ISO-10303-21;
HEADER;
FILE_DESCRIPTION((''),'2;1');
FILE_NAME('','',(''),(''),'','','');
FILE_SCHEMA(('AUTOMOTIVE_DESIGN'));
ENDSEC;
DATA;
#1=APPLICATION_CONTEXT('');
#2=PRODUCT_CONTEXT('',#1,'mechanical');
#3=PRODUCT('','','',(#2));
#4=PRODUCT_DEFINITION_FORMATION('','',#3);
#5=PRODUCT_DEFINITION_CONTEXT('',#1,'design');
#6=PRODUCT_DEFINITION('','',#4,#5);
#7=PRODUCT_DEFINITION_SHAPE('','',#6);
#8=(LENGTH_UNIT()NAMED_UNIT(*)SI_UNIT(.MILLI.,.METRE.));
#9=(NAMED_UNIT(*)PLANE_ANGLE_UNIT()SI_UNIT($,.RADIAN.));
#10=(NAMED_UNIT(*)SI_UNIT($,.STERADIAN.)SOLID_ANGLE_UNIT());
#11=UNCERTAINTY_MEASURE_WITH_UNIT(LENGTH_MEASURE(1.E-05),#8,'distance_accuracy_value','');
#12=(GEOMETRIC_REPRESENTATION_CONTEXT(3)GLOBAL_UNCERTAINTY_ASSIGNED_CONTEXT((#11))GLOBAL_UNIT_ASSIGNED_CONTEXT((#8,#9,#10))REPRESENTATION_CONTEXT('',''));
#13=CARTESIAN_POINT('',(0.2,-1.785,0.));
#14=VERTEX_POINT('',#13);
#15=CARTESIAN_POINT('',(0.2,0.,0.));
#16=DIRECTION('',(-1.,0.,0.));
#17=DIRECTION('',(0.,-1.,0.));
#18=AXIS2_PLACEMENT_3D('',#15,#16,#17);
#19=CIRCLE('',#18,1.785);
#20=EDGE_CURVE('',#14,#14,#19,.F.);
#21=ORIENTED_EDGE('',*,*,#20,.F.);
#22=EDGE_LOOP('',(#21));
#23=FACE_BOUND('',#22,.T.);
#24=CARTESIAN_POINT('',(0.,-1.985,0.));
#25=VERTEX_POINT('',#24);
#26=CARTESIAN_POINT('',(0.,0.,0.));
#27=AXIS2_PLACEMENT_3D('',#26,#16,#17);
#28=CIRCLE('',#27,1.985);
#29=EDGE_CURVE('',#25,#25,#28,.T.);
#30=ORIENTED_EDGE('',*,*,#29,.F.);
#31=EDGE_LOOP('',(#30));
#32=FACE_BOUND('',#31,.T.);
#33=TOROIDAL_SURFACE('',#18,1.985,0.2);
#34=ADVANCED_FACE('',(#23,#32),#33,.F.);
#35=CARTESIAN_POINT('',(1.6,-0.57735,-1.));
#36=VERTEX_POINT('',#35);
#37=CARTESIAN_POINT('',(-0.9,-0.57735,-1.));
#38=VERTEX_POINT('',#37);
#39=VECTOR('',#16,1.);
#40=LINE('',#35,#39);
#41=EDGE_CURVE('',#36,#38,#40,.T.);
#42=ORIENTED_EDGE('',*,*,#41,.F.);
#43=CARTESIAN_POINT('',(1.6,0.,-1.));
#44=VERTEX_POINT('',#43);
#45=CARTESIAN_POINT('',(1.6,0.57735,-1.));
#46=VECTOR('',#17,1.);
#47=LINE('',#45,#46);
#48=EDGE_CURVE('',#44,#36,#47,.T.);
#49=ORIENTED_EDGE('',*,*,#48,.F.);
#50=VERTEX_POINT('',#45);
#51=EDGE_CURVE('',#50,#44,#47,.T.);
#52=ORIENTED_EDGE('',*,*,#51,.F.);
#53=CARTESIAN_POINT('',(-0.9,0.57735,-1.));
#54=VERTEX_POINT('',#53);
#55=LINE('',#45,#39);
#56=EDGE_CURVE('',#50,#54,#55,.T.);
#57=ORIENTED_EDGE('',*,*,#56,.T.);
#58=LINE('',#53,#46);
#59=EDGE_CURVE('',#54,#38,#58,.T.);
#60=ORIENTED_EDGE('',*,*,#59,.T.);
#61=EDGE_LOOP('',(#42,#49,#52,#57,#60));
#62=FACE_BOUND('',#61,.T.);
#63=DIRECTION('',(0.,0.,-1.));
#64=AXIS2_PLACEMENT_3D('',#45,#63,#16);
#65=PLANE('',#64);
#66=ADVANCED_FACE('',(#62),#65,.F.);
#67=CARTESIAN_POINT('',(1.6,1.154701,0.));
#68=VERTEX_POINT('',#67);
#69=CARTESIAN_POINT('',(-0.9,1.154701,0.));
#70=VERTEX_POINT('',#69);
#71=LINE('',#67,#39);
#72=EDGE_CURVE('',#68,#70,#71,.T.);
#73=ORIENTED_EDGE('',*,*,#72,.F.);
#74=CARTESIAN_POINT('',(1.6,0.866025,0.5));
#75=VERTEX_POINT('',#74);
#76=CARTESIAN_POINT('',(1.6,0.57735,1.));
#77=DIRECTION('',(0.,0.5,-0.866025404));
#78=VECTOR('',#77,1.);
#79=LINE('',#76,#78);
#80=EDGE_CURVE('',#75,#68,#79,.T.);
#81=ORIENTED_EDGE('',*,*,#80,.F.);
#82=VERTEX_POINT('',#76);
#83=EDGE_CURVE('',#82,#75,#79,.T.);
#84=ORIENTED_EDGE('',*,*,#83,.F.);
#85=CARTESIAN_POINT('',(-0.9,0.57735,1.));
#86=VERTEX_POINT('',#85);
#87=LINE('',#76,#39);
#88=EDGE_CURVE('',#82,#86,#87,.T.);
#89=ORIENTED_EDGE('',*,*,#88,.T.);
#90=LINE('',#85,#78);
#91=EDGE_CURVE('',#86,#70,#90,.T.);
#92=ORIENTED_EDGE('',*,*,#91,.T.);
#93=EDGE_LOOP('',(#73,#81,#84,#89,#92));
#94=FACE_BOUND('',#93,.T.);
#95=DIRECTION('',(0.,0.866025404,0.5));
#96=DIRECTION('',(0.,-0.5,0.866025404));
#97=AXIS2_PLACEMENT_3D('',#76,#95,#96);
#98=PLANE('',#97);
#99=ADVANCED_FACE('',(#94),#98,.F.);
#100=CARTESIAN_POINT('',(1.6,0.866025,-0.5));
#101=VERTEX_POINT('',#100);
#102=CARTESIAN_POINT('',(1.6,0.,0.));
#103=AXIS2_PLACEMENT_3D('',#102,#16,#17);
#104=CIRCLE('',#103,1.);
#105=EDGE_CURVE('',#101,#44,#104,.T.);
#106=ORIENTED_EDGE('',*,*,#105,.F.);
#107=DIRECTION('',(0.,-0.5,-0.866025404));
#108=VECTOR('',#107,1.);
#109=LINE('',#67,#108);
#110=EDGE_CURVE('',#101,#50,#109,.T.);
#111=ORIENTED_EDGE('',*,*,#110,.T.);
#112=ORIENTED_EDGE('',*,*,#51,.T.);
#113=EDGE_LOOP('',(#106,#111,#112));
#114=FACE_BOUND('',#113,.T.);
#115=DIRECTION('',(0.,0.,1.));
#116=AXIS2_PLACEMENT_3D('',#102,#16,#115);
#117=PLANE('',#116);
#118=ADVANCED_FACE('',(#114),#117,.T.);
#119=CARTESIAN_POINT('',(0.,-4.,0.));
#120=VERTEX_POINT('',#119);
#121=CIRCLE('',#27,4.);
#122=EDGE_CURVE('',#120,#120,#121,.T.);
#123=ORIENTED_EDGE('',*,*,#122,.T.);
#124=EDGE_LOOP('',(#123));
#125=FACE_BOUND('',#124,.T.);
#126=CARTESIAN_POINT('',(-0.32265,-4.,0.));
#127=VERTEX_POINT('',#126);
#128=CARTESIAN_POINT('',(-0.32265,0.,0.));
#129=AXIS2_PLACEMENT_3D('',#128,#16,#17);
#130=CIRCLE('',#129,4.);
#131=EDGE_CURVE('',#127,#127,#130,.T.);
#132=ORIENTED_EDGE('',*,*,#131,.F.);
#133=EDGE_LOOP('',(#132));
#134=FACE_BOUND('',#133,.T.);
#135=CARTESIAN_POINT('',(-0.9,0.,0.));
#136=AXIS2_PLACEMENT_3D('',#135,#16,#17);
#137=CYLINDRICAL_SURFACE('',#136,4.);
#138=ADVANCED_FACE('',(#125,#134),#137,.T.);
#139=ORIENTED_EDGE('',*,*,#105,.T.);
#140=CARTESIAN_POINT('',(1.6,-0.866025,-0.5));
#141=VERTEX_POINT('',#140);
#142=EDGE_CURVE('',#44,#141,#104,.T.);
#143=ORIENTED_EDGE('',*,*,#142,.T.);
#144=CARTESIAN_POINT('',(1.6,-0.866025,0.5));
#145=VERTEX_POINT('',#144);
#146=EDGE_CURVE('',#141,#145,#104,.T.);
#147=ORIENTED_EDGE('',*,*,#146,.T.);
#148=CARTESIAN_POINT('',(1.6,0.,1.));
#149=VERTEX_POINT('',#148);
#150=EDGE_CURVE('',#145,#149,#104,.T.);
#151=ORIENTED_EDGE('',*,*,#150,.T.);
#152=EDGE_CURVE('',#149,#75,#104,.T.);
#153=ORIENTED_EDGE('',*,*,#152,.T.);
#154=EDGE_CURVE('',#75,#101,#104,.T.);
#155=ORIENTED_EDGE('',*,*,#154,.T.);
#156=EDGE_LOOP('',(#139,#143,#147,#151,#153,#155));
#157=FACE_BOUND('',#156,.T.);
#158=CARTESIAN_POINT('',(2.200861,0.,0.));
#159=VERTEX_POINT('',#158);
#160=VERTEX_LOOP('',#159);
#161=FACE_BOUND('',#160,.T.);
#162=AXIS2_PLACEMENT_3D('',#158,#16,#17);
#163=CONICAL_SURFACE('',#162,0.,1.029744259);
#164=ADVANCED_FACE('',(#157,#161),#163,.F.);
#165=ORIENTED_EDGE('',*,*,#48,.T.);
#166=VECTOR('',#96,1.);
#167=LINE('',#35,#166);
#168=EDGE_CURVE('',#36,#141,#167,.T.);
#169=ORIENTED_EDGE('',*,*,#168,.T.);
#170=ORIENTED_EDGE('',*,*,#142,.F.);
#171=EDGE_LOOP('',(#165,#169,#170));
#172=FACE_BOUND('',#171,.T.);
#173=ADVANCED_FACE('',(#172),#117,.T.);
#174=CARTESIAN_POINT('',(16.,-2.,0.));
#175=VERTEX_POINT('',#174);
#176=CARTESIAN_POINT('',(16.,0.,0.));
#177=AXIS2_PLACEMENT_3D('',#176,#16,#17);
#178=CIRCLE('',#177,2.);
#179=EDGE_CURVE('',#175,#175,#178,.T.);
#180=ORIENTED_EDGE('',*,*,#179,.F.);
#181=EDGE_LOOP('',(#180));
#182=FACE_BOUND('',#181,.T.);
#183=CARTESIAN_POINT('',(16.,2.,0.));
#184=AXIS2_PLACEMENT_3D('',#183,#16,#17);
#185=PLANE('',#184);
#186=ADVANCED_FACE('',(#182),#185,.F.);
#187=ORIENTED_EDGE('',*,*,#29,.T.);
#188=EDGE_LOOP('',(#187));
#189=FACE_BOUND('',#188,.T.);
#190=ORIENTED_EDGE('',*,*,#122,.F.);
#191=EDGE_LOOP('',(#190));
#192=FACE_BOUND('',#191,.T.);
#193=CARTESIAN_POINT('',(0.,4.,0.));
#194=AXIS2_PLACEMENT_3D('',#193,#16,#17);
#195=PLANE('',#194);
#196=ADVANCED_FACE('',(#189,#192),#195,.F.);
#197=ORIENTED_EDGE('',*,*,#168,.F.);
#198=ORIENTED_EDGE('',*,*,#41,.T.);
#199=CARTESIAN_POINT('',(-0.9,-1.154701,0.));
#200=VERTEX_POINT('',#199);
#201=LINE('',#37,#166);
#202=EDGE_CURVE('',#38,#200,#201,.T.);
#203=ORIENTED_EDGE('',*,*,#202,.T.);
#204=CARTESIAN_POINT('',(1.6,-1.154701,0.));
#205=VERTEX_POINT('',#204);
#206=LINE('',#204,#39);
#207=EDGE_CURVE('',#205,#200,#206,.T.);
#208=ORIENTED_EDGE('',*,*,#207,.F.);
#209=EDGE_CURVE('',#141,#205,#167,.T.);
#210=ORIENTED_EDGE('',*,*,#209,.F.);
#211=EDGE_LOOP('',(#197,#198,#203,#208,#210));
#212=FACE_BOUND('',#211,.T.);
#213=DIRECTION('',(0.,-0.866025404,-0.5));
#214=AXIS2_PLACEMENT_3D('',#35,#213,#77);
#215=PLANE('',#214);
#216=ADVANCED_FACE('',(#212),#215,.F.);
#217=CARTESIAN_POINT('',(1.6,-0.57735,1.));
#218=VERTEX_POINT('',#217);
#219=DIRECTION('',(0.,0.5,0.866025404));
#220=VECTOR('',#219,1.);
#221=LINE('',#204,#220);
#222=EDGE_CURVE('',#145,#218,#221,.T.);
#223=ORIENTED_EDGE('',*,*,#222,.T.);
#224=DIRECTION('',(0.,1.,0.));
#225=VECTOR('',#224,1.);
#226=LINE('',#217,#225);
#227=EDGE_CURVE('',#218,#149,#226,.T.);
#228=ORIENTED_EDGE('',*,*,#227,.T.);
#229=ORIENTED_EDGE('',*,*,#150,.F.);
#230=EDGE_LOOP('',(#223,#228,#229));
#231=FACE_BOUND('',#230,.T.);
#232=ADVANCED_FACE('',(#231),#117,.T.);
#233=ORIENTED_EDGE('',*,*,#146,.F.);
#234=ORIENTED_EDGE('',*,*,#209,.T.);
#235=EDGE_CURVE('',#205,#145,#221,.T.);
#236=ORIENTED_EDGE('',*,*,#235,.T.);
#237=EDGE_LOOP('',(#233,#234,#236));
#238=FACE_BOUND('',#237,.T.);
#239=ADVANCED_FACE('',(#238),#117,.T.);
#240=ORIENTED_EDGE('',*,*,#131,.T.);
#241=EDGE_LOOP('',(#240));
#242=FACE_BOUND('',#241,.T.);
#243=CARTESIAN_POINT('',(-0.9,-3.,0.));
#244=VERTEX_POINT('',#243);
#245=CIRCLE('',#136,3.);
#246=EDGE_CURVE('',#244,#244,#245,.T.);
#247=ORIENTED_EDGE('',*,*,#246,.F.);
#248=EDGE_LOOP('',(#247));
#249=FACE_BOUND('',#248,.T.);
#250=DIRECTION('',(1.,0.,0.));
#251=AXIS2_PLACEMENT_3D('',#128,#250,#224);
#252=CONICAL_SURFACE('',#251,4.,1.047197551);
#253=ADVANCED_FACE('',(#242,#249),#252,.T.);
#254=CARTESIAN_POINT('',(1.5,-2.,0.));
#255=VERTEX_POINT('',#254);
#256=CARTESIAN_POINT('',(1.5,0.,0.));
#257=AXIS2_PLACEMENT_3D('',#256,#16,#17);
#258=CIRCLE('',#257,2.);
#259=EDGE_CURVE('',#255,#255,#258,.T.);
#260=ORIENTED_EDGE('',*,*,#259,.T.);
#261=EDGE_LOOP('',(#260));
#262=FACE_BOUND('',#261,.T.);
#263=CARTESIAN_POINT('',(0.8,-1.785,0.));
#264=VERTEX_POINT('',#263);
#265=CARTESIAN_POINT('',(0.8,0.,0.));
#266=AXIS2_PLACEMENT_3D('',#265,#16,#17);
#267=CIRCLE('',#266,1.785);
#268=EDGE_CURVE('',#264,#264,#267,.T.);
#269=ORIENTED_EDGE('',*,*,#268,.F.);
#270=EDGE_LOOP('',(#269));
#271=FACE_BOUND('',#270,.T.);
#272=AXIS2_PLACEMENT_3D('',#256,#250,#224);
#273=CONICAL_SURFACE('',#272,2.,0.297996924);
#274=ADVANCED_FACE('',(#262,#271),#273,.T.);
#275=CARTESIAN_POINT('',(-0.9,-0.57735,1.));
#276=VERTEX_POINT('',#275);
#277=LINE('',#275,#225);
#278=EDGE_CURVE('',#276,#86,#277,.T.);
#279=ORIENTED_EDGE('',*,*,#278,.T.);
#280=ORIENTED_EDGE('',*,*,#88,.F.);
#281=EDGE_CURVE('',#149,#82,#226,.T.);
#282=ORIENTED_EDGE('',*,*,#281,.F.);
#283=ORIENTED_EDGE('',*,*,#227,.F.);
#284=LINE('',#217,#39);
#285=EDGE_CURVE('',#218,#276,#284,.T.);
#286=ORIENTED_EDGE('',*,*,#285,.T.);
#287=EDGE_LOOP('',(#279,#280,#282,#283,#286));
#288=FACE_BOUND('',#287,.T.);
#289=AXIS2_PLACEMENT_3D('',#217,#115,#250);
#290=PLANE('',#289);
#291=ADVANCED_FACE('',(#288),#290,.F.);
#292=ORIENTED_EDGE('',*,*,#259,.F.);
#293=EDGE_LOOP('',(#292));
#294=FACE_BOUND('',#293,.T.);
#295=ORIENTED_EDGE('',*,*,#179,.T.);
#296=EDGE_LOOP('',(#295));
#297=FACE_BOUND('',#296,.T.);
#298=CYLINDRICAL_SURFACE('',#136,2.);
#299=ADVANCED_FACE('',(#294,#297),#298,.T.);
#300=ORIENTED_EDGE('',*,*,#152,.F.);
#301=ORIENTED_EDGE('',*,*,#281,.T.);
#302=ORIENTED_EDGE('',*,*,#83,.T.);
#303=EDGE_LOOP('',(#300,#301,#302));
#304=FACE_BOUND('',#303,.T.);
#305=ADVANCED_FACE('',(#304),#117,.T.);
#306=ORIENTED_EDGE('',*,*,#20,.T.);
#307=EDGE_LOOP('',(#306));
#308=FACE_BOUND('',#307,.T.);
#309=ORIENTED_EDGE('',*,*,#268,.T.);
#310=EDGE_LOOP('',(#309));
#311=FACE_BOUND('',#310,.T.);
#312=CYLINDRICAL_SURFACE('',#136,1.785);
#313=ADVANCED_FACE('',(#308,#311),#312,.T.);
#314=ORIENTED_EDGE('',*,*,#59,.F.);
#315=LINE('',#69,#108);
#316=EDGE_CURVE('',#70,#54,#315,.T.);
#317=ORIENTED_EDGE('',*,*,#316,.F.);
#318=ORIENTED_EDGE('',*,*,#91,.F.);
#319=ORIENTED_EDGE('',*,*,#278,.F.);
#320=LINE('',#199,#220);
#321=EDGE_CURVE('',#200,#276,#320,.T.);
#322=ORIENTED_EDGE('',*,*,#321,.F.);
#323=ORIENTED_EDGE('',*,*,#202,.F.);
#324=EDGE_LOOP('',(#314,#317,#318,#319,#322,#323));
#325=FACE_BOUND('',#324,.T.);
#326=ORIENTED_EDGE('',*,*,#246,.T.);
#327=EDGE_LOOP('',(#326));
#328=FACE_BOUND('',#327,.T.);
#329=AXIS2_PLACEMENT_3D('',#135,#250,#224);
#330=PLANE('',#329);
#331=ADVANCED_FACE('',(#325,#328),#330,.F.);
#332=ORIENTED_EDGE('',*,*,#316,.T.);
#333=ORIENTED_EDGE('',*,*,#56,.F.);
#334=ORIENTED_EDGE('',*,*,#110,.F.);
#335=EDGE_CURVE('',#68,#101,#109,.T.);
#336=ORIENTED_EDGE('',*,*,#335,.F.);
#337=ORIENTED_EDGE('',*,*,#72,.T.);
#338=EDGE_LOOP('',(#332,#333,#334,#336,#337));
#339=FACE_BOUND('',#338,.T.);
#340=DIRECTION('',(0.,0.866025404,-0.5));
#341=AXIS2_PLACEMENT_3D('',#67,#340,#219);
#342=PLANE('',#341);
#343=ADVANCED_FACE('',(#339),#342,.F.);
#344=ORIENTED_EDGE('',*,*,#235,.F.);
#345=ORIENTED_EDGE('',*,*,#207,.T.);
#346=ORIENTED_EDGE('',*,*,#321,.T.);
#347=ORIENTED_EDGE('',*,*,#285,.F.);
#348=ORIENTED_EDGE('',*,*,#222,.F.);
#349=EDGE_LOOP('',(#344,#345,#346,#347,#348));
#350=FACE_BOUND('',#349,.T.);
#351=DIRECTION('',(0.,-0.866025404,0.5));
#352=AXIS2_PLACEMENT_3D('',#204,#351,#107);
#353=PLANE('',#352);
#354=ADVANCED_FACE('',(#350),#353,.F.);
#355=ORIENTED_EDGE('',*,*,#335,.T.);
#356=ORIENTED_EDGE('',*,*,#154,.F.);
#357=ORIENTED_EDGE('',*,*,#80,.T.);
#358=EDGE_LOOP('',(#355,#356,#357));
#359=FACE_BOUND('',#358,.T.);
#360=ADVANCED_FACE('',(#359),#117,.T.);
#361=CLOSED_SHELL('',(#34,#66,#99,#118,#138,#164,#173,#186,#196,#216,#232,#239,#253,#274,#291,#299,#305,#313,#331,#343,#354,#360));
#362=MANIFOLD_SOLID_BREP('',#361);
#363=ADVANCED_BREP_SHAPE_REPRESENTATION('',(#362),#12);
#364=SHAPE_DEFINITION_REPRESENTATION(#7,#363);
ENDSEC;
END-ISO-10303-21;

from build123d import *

# Parameters (mm, degrees)
FILLET1_R          = 0.2
CUT_EXTRUDE1_DEPTH = 2.5


with BuildPart() as part:
    # Sketch1 → Revolve1 (revolve)
    with BuildSketch(Plane.XY):
        Polygon((-0.9, 0), (-0.9, 3), (-0.322649731, 4), (0, 4), (0, 1.785), (0.8, 1.785), (1.5, 2), (16, 2), (16, 0), align=None)
    revolve(axis=Axis((-0.9, 0, 0), (1, 0, 0)))

    # Fillet1
    fillet1_edges = [part.edges().sort_by_distance(p)[0] for p in [
        (0, -1.785, 0),
    ]]
    fillet(fillet1_edges, radius=FILLET1_R)

    # Sketch2 → Cut-Extrude1 (cut)
    with BuildSketch(Plane.ZY.offset(0.9)):
        Polygon((0, 1.154700538), (-1, 0.577350269), (-1, -0.577350269), (0, -1.154700538), (1, -0.577350269), (1, 0.577350269), align=None)
    extrude(amount=-CUT_EXTRUDE1_DEPTH, mode=Mode.SUBTRACT)

    # Sketch3 → Cut-Revolve1 (revolve, cut)
    with BuildSketch(Plane.XY):
        Polygon((1.6, 0), (1.6, 1), (2.200860619, 0), align=None)
    revolve(axis=Axis((1.6, 0, 0), (1, 0, 0)), mode=Mode.SUBTRACT)


solid = part.part
